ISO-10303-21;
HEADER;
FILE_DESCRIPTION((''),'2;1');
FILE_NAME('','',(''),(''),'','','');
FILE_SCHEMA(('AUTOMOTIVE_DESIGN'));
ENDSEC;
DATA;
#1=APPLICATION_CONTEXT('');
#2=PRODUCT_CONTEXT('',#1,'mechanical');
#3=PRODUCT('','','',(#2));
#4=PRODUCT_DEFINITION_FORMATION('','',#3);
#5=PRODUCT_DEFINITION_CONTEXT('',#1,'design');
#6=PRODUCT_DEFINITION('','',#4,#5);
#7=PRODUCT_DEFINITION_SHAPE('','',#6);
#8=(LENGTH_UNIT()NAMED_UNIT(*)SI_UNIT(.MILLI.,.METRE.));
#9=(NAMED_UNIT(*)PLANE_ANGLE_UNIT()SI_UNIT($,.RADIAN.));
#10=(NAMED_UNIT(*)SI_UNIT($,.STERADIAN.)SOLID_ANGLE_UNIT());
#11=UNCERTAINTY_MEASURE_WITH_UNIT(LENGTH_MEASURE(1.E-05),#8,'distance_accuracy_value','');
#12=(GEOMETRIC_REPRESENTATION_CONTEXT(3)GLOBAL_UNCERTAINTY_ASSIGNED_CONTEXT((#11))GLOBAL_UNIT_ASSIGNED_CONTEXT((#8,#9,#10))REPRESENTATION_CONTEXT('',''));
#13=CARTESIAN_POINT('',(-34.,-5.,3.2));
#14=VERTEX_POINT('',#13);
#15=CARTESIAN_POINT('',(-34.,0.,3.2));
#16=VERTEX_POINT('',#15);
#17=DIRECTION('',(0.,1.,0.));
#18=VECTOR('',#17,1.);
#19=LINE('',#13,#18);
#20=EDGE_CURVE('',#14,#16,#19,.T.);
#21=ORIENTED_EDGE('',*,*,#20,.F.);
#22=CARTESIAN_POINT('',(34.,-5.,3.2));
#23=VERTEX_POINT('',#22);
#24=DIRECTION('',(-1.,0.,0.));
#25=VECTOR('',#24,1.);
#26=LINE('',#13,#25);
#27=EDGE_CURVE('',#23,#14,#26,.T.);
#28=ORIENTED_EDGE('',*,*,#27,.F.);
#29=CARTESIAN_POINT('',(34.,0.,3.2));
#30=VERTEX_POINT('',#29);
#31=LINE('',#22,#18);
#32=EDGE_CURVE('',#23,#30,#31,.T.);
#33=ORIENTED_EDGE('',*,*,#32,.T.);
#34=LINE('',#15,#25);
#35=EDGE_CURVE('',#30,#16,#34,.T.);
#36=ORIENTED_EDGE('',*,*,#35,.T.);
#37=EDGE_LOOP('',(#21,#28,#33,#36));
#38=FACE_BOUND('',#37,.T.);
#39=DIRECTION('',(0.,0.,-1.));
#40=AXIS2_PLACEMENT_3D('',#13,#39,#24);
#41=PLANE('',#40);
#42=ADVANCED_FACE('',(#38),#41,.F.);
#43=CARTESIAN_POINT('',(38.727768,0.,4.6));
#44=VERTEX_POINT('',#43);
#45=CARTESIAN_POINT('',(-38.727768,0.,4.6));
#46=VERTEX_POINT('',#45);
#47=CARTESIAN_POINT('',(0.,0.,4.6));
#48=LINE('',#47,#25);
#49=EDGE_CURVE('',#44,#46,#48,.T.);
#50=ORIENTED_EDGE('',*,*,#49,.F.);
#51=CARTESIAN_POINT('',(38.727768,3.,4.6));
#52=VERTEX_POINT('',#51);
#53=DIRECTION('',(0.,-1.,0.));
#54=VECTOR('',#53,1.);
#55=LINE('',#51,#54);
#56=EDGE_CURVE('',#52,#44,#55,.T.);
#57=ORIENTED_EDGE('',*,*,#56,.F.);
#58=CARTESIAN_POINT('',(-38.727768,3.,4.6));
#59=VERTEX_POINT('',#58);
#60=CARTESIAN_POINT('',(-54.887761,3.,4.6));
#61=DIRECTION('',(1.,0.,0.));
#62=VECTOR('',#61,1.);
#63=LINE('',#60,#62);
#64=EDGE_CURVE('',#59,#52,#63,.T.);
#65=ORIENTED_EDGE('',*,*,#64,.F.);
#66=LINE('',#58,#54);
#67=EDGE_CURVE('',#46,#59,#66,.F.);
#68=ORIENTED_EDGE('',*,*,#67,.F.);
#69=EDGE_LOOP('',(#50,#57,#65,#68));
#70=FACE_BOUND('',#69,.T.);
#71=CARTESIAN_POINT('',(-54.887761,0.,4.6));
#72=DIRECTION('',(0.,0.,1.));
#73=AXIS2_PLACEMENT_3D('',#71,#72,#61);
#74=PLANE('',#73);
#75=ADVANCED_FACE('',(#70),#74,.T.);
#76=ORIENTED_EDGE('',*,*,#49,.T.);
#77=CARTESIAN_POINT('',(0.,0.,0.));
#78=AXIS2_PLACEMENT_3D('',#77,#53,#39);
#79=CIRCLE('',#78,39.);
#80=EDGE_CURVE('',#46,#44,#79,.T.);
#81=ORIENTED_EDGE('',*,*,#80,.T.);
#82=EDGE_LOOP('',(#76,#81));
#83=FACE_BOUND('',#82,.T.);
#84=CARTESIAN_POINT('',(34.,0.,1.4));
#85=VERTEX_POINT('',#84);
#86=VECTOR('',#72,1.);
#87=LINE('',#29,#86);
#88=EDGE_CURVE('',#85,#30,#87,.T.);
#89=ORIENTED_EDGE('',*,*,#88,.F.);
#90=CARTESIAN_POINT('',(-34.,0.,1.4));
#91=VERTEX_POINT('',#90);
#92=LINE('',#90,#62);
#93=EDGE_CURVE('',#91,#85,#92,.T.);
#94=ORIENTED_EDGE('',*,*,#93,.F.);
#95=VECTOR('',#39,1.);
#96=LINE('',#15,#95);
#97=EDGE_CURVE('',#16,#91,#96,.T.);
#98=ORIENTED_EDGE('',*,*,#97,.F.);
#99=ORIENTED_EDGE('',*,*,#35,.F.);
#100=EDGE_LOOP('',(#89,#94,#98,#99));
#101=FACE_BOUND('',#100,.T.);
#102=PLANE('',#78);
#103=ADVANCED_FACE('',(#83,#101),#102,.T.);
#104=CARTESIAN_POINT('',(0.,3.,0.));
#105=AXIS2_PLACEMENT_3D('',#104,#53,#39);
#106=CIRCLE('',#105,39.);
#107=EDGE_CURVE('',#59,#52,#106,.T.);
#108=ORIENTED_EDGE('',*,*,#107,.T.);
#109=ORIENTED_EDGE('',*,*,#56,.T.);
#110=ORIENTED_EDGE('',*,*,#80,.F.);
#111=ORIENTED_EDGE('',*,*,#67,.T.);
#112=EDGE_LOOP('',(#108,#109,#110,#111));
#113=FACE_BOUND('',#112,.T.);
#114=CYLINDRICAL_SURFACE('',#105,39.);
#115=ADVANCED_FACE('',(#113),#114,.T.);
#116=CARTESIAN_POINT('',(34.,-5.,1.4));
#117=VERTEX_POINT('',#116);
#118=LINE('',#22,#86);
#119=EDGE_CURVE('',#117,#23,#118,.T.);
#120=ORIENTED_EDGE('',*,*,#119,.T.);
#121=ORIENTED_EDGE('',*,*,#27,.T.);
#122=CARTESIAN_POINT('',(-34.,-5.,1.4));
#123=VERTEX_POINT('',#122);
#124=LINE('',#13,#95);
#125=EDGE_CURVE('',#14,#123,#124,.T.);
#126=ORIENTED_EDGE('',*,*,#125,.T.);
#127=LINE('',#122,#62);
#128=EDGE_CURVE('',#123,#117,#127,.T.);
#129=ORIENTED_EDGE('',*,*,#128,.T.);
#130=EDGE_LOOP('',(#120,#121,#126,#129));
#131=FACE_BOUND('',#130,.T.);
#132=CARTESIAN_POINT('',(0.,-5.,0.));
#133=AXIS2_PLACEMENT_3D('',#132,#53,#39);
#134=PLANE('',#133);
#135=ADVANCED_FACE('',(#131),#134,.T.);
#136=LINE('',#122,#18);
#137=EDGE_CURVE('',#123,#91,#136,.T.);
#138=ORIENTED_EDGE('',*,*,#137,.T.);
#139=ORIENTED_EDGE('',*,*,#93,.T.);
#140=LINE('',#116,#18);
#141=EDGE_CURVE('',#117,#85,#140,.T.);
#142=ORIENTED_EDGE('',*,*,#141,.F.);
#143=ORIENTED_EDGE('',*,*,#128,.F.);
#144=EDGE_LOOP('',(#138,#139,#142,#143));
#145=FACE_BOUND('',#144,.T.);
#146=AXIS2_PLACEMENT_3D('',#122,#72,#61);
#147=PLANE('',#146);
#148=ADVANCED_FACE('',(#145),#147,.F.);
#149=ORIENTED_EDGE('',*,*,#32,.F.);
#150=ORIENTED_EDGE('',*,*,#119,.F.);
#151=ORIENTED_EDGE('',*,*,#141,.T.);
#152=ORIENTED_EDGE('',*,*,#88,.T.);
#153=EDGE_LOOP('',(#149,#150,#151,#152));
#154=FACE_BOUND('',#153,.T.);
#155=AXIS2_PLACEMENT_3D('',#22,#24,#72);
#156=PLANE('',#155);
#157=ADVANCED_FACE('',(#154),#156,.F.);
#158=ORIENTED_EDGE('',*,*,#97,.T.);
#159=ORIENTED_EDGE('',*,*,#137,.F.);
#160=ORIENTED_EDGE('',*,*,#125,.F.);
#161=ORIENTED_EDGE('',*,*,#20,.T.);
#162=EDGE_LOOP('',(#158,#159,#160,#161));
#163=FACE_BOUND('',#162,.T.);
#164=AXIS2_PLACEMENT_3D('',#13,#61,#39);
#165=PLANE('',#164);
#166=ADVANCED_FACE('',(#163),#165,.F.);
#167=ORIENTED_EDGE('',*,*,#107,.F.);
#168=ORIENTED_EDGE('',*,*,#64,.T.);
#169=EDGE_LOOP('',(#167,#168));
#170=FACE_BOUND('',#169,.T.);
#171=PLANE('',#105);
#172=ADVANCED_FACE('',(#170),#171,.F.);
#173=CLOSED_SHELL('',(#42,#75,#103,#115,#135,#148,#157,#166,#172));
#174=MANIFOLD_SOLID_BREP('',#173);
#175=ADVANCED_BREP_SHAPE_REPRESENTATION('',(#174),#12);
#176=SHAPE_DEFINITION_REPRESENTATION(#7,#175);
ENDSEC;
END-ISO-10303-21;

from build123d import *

# Parameters (mm, degrees)
SKETCH1_R           = 39
BOSS_EXTRUDE1_DEPTH = 3
SKETCH3_W           = 110.988465814
SKETCH3_H           = 40.72920708
CUT_EXTRUDE1_DEPTH  = 3
SKETCH4_W           = 68
SKETCH4_H           = 1.8
BOSS_EXTRUDE2_DEPTH = 5
SKETCH4_2_W         = 68
SKETCH4_2_H         = 1.8
BOSS_EXTRUDE3_DEPTH = 5


with BuildPart() as part:
    # Sketch1 → Boss-Extrude1 (new body)
    with BuildSketch(Plane(origin=(0, 0, 0), x_dir=(1, 0, 0), z_dir=(0, 1, 0))):
        Circle(SKETCH1_R)
    extrude(amount=BOSS_EXTRUDE1_DEPTH)

    # Sketch3 → Cut-Extrude1 (cut)
    with BuildSketch(Plane(origin=(0, 3, 0), x_dir=(1, 0, 0), z_dir=(0, 1, 0))):
        with Locations((0.606471885, -24.96460354)):
            Rectangle(SKETCH3_W, SKETCH3_H)
    extrude(amount=-CUT_EXTRUDE1_DEPTH, mode=Mode.SUBTRACT)

    # Sketch4 → Boss-Extrude2 (add)
    with BuildSketch(Plane.XZ):
        with Locations((0, 2.3)):
            Rectangle(SKETCH4_W, SKETCH4_H)
    extrude(amount=BOSS_EXTRUDE2_DEPTH)

    # Sketch4<2> → Boss-Extrude3 (add)
    with BuildSketch(Plane.XZ):
        with Locations((0, 2.3)):
            Rectangle(SKETCH4_2_W, SKETCH4_2_H)
    extrude(amount=BOSS_EXTRUDE3_DEPTH)


solid = part.part
